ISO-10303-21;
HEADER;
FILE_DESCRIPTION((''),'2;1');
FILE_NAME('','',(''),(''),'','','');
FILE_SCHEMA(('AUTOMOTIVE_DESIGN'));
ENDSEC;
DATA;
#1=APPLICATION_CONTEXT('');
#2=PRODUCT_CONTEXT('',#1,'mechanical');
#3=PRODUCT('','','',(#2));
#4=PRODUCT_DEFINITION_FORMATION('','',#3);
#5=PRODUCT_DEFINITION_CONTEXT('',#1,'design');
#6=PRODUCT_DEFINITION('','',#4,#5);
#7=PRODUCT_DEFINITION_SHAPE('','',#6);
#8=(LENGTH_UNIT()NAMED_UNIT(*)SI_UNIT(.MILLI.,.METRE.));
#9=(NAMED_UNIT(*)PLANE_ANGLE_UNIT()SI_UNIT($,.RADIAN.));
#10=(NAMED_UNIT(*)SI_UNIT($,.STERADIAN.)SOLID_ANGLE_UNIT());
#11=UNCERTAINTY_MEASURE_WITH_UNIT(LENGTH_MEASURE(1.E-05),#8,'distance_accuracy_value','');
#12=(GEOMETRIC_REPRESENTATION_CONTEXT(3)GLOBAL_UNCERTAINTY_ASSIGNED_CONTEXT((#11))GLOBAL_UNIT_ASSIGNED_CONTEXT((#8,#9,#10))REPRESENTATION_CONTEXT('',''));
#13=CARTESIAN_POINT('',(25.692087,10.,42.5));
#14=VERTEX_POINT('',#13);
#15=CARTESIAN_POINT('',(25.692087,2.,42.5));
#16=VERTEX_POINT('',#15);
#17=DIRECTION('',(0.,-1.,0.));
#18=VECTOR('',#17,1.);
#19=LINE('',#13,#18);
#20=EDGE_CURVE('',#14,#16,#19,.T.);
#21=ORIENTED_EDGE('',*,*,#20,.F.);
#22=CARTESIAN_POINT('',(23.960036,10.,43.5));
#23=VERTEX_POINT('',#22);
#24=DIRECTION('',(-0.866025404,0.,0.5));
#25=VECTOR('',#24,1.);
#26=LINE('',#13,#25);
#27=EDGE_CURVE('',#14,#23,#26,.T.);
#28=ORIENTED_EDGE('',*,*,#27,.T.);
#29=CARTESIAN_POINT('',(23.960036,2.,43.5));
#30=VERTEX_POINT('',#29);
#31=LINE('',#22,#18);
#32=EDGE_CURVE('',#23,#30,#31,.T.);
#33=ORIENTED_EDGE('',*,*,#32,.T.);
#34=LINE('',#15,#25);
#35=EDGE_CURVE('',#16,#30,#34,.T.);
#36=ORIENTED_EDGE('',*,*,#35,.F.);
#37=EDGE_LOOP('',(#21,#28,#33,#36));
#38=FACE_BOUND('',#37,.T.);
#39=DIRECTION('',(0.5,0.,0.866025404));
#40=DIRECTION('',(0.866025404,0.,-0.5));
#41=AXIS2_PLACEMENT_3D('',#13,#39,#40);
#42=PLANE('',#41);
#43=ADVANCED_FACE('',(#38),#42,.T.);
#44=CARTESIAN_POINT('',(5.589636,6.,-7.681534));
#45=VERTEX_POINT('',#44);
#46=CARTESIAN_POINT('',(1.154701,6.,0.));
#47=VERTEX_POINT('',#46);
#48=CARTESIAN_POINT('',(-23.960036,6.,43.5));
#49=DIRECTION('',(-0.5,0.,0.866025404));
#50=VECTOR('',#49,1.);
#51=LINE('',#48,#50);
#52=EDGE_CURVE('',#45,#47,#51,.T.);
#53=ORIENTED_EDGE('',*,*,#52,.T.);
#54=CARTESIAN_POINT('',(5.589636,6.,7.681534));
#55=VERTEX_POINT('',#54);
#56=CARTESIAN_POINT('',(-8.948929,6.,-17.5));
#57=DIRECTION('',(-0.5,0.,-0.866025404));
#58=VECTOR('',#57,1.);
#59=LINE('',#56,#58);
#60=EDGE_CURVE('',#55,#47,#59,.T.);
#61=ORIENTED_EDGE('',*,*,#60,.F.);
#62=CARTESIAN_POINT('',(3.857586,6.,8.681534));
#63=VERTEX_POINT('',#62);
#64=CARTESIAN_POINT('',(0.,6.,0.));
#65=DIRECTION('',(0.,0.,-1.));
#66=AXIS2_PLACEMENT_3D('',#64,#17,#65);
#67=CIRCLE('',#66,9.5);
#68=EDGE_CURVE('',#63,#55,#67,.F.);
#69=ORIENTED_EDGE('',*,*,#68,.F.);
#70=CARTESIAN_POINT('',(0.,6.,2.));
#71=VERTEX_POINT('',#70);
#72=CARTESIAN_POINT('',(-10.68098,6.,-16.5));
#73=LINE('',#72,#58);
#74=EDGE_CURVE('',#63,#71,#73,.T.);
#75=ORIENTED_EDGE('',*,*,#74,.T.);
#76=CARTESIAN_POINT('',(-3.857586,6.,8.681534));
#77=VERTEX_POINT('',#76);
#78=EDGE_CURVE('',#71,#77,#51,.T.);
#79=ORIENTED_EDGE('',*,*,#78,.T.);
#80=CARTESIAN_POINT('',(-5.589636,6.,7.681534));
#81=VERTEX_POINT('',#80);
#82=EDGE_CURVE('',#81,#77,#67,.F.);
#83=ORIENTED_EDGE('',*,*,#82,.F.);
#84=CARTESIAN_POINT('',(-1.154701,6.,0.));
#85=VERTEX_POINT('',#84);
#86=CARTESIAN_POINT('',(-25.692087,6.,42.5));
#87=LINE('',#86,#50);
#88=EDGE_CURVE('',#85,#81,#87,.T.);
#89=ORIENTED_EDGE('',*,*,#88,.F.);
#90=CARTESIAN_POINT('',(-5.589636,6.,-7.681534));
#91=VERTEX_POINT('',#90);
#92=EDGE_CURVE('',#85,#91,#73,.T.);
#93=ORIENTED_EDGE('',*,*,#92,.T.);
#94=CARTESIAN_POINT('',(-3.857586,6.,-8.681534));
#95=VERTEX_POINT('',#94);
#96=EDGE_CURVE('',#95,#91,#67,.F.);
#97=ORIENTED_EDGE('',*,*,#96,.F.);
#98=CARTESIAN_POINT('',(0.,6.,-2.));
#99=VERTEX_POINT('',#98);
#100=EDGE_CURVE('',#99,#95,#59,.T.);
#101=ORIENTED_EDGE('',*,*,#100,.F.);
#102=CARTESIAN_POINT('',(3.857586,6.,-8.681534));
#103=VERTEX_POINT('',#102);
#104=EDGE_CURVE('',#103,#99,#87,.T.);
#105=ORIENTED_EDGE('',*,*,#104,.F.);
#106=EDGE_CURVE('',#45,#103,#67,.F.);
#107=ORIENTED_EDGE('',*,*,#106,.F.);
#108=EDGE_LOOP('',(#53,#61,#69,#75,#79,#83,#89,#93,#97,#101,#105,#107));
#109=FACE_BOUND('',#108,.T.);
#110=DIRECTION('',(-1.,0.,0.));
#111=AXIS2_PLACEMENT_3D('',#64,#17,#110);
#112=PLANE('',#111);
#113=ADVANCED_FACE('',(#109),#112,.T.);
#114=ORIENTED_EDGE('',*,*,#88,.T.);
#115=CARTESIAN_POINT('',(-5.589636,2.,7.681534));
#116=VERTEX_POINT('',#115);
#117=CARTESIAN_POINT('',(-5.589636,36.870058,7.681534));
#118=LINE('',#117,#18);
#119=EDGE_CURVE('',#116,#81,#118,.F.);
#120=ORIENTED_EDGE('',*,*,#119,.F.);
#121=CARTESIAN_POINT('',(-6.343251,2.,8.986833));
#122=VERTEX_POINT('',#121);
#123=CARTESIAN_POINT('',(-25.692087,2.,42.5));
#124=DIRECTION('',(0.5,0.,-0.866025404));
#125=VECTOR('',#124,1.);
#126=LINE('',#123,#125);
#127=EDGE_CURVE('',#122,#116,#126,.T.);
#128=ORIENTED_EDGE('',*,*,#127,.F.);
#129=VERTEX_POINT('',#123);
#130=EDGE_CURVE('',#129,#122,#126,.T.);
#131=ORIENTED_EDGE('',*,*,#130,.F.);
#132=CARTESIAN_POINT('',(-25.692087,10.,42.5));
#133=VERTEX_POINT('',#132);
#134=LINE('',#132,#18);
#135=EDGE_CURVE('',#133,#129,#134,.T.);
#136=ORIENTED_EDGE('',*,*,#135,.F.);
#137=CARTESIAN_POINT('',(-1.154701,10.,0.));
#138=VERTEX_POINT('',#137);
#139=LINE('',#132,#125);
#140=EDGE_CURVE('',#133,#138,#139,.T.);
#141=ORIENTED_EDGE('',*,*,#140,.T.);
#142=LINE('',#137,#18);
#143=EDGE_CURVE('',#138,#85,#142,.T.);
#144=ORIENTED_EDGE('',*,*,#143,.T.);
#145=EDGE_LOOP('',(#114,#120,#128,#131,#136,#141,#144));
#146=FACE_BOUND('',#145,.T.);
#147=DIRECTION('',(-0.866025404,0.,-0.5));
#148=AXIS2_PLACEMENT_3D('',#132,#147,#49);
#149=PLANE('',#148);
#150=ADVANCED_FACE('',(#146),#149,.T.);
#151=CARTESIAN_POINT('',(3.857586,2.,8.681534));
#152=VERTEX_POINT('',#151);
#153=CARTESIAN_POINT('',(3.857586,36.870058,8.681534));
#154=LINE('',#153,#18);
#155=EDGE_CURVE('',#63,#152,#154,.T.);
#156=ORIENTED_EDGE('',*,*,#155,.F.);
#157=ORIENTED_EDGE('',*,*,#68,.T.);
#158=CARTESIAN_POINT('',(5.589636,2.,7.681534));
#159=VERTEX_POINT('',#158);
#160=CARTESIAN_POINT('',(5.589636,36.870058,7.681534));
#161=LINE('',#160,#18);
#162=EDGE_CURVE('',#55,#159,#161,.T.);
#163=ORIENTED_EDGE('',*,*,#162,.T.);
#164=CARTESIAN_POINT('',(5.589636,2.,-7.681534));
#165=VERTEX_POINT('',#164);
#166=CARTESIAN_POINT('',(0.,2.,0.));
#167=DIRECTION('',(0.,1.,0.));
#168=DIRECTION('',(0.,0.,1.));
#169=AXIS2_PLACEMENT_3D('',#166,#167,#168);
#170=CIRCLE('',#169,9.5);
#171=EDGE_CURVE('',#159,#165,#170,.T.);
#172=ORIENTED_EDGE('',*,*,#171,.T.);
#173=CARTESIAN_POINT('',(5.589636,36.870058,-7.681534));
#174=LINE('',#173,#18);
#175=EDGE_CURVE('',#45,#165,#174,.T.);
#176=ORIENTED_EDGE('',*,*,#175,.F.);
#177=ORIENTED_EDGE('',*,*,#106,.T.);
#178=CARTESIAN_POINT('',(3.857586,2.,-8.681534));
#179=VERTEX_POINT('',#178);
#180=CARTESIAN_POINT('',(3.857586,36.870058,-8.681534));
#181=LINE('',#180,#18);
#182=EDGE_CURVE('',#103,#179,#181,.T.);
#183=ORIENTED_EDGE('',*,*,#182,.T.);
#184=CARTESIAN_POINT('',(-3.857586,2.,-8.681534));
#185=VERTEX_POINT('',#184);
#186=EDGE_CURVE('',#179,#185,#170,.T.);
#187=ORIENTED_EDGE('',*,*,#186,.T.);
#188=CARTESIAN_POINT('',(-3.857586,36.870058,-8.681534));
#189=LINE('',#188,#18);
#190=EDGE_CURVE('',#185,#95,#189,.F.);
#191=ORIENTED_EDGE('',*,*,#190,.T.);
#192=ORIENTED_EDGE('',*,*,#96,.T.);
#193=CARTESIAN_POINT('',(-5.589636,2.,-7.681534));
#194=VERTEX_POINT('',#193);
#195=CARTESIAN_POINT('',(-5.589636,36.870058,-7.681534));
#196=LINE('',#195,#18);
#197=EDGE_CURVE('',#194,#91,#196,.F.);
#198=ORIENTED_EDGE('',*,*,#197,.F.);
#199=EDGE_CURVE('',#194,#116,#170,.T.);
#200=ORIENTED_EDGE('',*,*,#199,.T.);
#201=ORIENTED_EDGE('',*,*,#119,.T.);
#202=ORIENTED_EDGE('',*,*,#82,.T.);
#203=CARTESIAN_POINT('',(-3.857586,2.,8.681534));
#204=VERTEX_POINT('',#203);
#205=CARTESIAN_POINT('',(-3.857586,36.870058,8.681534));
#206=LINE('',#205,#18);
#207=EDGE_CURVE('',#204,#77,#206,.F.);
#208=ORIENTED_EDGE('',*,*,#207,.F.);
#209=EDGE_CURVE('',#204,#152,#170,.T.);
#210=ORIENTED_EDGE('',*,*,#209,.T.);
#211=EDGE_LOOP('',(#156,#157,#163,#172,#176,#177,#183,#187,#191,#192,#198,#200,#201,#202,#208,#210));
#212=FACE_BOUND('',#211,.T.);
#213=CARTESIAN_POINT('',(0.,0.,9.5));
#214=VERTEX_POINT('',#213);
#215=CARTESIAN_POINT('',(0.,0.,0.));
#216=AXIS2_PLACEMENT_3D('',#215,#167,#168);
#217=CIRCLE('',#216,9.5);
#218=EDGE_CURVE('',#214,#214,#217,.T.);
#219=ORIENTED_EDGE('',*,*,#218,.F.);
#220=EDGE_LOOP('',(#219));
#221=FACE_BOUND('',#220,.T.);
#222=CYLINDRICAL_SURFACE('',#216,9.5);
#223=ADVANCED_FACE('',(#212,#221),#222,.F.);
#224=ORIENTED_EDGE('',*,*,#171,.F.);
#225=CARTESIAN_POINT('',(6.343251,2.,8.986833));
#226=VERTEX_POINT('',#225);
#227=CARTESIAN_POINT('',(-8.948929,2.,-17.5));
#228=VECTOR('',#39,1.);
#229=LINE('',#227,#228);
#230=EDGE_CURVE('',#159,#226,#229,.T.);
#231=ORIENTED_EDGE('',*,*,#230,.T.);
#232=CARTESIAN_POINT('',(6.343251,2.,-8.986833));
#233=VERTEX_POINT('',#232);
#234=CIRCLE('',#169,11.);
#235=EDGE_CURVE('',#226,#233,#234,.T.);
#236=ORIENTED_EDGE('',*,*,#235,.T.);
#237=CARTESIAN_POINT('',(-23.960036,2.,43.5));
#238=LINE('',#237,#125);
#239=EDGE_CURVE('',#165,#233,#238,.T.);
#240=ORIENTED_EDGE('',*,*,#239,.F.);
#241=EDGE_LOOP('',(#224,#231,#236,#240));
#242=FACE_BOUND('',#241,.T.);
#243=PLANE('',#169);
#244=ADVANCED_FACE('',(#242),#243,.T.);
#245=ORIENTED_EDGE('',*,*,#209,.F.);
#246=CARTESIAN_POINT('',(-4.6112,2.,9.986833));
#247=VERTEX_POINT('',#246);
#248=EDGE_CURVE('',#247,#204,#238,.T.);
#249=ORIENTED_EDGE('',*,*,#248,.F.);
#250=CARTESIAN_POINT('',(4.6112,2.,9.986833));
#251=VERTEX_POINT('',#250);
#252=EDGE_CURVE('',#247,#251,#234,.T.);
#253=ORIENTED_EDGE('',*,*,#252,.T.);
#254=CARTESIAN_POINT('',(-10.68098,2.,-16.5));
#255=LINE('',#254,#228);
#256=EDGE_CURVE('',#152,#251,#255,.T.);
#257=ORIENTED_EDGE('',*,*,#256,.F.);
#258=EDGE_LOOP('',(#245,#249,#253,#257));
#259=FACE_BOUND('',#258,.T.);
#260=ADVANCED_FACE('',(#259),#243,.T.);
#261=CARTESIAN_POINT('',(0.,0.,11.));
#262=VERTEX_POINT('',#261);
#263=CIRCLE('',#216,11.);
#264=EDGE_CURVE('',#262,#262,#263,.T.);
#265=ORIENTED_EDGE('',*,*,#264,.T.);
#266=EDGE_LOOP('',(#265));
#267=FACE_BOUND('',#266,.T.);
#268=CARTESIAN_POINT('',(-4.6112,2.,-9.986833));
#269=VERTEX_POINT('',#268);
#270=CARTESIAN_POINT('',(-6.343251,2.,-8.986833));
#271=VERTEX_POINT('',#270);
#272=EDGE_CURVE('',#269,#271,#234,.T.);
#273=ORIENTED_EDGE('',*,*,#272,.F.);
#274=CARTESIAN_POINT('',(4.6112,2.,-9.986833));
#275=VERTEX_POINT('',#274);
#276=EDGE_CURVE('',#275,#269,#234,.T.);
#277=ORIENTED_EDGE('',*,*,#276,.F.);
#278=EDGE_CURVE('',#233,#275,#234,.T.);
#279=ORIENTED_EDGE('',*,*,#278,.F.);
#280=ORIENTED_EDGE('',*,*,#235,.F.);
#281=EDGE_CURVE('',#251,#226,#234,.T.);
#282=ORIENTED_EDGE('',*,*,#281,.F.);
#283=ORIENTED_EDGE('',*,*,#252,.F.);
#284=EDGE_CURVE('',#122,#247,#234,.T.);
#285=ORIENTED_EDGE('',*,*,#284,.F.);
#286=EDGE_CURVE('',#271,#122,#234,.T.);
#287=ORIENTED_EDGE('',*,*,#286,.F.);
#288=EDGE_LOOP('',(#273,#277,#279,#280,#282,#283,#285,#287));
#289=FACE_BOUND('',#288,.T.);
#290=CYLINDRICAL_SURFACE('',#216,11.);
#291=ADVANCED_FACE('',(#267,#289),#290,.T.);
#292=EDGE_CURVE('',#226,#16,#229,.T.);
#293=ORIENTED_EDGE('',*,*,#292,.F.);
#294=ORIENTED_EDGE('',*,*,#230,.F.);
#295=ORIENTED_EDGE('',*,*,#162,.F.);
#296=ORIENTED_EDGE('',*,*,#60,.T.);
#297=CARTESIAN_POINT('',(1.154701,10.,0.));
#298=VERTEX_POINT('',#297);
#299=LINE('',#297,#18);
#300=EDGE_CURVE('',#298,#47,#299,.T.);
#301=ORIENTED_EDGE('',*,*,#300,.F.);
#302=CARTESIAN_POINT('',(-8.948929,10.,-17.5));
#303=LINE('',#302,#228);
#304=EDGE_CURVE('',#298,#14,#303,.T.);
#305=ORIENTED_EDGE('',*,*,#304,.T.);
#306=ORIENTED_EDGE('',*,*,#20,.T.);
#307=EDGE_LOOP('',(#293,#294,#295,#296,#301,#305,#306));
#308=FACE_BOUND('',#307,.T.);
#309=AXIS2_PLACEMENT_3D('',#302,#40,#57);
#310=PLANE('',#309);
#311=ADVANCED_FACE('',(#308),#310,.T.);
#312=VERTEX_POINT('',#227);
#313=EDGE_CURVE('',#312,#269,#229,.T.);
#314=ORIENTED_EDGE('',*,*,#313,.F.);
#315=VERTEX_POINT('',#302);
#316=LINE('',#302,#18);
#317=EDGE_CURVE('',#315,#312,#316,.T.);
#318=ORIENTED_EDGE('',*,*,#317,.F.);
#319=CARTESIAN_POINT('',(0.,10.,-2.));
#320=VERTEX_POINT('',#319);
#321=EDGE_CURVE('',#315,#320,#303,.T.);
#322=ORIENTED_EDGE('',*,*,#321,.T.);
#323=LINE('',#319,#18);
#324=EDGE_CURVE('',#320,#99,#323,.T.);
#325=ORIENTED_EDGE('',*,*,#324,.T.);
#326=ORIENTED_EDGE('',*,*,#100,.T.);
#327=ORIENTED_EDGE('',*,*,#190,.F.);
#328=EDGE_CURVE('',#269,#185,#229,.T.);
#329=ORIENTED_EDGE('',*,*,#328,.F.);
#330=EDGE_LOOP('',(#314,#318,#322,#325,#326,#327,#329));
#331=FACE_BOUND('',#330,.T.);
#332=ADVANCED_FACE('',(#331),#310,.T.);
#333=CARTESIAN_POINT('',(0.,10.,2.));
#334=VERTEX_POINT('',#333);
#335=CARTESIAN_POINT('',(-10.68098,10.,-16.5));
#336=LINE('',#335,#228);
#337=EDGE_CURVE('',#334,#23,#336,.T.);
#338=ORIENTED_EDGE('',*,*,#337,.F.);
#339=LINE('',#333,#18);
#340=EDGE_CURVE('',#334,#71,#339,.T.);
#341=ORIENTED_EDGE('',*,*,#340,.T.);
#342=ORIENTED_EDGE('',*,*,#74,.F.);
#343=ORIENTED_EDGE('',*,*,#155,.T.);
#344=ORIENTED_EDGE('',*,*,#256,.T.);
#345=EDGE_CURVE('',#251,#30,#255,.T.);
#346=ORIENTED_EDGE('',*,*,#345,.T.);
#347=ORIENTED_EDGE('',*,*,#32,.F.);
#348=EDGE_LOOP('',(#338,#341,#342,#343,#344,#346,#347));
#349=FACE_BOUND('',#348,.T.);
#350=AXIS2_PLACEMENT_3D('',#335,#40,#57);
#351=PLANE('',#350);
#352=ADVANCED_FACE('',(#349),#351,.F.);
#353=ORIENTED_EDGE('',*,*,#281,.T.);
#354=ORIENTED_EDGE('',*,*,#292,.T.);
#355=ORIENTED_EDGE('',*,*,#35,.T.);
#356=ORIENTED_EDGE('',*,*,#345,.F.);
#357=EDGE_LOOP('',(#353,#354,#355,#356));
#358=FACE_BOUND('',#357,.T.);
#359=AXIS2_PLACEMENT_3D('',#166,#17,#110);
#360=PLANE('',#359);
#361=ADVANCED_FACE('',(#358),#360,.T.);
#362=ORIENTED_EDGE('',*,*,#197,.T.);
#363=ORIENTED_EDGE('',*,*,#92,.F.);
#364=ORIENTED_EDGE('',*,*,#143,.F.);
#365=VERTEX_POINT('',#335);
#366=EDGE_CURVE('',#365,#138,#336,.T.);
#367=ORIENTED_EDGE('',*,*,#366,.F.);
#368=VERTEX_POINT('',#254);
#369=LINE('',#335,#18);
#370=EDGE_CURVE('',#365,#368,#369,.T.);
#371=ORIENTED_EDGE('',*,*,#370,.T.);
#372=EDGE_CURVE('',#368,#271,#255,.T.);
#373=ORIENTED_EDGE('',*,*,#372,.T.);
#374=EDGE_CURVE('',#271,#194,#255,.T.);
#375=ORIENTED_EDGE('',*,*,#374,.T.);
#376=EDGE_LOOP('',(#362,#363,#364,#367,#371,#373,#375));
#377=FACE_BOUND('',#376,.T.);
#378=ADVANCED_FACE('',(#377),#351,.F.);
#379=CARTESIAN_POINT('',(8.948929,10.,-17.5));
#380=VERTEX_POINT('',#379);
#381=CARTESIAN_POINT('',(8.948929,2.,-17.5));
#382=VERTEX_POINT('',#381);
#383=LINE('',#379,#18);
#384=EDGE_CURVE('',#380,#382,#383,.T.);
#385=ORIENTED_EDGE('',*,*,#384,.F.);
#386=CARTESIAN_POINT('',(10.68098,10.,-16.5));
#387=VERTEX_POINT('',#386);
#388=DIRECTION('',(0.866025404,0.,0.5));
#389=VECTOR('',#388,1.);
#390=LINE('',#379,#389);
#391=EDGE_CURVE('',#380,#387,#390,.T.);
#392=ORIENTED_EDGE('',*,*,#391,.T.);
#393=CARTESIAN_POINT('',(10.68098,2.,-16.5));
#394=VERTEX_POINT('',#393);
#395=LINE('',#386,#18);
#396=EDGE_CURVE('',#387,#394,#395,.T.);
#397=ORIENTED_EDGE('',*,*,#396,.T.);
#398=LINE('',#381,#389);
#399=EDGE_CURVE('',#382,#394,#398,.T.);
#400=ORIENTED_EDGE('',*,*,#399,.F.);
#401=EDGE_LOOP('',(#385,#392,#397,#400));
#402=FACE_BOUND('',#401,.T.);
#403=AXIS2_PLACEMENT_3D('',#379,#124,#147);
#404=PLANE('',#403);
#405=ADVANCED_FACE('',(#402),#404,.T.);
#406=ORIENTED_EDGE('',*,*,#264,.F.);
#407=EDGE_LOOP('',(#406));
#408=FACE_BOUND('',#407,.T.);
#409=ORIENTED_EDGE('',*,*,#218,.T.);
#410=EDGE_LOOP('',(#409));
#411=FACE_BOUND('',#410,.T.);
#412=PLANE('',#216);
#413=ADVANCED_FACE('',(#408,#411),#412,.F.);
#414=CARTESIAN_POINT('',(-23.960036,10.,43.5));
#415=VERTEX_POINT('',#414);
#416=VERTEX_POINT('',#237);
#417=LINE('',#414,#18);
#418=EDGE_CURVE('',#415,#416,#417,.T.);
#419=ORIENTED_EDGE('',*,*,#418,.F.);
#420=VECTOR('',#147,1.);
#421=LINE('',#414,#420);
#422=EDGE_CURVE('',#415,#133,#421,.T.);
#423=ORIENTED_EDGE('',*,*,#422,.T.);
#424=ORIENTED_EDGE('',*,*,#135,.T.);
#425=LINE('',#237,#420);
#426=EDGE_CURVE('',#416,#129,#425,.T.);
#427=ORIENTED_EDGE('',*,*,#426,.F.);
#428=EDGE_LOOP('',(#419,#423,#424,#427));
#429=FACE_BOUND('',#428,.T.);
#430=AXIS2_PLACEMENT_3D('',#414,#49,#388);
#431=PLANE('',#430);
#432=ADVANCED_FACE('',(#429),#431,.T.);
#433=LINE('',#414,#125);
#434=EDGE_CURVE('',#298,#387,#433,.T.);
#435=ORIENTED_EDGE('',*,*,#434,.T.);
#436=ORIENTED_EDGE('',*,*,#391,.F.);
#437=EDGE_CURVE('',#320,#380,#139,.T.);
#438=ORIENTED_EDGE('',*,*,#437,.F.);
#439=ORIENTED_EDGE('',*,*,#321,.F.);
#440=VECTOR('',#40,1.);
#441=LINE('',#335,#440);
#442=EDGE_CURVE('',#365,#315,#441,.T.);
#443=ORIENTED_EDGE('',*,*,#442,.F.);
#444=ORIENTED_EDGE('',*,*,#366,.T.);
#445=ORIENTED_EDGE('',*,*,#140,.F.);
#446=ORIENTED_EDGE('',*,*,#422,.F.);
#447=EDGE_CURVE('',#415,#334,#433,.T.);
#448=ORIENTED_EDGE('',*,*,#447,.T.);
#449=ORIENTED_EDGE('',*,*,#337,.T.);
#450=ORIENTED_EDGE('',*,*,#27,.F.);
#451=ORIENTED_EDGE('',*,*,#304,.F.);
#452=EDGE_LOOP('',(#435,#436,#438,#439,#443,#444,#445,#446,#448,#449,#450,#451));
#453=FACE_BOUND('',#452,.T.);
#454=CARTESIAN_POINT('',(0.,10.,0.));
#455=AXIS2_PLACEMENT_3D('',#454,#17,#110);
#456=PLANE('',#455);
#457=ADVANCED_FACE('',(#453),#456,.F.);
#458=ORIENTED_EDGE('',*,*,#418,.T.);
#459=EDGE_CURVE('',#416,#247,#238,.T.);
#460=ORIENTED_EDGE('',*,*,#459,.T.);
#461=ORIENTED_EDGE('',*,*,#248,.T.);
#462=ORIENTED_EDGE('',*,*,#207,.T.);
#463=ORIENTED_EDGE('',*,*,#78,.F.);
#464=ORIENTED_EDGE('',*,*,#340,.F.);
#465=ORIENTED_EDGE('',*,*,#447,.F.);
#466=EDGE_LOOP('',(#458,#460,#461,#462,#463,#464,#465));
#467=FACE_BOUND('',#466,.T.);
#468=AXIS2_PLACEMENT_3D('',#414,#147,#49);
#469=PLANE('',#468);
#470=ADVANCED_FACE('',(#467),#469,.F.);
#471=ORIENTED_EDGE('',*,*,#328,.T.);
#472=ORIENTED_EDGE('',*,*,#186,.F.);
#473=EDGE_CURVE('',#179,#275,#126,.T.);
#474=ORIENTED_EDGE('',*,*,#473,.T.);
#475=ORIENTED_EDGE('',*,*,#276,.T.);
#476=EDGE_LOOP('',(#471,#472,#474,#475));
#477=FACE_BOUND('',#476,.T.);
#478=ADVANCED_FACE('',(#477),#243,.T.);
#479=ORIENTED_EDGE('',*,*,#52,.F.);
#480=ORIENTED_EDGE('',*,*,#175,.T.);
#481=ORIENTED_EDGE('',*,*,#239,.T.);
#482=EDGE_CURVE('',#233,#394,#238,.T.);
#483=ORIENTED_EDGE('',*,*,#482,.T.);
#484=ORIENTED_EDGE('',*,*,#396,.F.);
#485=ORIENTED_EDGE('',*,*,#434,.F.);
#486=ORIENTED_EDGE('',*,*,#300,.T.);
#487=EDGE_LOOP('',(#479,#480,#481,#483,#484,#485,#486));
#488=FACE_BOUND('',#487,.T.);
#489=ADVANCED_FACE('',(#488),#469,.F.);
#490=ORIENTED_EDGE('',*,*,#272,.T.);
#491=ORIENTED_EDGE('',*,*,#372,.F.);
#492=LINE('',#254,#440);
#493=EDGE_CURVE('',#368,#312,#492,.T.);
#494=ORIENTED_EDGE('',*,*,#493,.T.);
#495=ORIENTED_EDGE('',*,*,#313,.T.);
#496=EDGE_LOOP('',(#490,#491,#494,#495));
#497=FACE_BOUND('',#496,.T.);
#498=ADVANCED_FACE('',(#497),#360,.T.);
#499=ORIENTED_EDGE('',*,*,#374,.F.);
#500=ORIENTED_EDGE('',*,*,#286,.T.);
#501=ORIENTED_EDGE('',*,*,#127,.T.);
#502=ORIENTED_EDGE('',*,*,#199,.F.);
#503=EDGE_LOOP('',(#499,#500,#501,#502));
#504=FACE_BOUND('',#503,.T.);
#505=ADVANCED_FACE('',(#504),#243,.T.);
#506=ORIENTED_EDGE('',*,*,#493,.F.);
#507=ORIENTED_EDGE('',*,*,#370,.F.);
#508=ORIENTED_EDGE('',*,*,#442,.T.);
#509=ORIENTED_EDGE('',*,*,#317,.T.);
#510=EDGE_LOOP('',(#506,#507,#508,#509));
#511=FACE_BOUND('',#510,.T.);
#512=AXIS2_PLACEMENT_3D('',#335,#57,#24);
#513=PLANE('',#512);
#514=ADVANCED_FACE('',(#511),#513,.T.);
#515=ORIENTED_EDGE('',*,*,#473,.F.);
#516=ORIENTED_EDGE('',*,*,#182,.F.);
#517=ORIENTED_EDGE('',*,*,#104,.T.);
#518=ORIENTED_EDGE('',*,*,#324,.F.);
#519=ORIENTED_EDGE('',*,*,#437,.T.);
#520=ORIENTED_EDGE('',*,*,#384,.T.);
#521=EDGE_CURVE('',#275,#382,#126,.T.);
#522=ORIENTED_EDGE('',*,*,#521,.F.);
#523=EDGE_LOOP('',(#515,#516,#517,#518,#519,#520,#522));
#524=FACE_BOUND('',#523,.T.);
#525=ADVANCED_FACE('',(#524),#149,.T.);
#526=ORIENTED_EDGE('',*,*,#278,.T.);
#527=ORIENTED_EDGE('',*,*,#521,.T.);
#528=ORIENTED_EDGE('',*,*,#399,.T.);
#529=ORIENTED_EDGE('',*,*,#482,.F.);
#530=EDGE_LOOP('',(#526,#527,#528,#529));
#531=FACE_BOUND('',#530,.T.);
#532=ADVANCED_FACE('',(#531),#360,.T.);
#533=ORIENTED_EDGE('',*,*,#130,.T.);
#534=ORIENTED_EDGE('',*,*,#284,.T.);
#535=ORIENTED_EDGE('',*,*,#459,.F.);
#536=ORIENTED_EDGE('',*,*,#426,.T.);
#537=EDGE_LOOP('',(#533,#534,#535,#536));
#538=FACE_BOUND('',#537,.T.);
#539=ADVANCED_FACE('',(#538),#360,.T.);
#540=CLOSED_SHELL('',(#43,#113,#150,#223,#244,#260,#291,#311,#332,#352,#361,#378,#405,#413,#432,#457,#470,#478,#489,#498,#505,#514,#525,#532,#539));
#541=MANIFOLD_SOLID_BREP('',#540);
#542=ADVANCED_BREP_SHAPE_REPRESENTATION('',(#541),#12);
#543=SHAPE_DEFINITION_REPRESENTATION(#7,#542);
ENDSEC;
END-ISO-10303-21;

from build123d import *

# Parameters (mm, degrees)
SKETCH1_R           = 11
SKETCH1_R_2         = 9.5
BOSS_EXTRUDE1_DEPTH = 2
EXTRUDE_THIN1_DEPTH = 8
CUT_EXTRUDE1_START  = -6
SKETCH3_R           = 9.5
CUT_EXTRUDE1_DEPTH  = 6


with BuildPart() as part:
    # Sketch1 → Boss-Extrude1 (new body)
    with BuildSketch(Plane(origin=(0, 2, 0), x_dir=(1, 0, 0), z_dir=(0, 1, 0))):
        with Locations(Location((0, 0, 0), (0, 0, 270))):
            Circle(SKETCH1_R)
        with Locations(Location((0, 0, 0), (0, 0, 270))):
            Circle(SKETCH1_R_2, mode=Mode.SUBTRACT)
    extrude(amount=-BOSS_EXTRUDE1_DEPTH)

    # Sketch2 → Extrude-Thin1 (add)
    with BuildSketch(Plane(origin=(0, 2, 0), x_dir=(1, 0, 0), z_dir=(0, 1, 0))):
        Polygon((-23.960036171, -43.5), (10.68097998, 16.5), (8.948929172, 17.5), (-25.692086979, -42.5), align=None)
        Polygon((-10.68097998, 16.5), (23.960036171, -43.5), (25.692086979, -42.5), (-8.948929172, 17.5), align=None)
    extrude(amount=EXTRUDE_THIN1_DEPTH)

    # Sketch3 → Cut-Extrude1 (cut)
    with BuildSketch(Plane.XZ.offset(CUT_EXTRUDE1_START)):
        with Locations(Location((0, 0, 0), (0, 0, 90))):
            Circle(SKETCH3_R)
    extrude(amount=CUT_EXTRUDE1_DEPTH, mode=Mode.SUBTRACT)


solid = part.part
